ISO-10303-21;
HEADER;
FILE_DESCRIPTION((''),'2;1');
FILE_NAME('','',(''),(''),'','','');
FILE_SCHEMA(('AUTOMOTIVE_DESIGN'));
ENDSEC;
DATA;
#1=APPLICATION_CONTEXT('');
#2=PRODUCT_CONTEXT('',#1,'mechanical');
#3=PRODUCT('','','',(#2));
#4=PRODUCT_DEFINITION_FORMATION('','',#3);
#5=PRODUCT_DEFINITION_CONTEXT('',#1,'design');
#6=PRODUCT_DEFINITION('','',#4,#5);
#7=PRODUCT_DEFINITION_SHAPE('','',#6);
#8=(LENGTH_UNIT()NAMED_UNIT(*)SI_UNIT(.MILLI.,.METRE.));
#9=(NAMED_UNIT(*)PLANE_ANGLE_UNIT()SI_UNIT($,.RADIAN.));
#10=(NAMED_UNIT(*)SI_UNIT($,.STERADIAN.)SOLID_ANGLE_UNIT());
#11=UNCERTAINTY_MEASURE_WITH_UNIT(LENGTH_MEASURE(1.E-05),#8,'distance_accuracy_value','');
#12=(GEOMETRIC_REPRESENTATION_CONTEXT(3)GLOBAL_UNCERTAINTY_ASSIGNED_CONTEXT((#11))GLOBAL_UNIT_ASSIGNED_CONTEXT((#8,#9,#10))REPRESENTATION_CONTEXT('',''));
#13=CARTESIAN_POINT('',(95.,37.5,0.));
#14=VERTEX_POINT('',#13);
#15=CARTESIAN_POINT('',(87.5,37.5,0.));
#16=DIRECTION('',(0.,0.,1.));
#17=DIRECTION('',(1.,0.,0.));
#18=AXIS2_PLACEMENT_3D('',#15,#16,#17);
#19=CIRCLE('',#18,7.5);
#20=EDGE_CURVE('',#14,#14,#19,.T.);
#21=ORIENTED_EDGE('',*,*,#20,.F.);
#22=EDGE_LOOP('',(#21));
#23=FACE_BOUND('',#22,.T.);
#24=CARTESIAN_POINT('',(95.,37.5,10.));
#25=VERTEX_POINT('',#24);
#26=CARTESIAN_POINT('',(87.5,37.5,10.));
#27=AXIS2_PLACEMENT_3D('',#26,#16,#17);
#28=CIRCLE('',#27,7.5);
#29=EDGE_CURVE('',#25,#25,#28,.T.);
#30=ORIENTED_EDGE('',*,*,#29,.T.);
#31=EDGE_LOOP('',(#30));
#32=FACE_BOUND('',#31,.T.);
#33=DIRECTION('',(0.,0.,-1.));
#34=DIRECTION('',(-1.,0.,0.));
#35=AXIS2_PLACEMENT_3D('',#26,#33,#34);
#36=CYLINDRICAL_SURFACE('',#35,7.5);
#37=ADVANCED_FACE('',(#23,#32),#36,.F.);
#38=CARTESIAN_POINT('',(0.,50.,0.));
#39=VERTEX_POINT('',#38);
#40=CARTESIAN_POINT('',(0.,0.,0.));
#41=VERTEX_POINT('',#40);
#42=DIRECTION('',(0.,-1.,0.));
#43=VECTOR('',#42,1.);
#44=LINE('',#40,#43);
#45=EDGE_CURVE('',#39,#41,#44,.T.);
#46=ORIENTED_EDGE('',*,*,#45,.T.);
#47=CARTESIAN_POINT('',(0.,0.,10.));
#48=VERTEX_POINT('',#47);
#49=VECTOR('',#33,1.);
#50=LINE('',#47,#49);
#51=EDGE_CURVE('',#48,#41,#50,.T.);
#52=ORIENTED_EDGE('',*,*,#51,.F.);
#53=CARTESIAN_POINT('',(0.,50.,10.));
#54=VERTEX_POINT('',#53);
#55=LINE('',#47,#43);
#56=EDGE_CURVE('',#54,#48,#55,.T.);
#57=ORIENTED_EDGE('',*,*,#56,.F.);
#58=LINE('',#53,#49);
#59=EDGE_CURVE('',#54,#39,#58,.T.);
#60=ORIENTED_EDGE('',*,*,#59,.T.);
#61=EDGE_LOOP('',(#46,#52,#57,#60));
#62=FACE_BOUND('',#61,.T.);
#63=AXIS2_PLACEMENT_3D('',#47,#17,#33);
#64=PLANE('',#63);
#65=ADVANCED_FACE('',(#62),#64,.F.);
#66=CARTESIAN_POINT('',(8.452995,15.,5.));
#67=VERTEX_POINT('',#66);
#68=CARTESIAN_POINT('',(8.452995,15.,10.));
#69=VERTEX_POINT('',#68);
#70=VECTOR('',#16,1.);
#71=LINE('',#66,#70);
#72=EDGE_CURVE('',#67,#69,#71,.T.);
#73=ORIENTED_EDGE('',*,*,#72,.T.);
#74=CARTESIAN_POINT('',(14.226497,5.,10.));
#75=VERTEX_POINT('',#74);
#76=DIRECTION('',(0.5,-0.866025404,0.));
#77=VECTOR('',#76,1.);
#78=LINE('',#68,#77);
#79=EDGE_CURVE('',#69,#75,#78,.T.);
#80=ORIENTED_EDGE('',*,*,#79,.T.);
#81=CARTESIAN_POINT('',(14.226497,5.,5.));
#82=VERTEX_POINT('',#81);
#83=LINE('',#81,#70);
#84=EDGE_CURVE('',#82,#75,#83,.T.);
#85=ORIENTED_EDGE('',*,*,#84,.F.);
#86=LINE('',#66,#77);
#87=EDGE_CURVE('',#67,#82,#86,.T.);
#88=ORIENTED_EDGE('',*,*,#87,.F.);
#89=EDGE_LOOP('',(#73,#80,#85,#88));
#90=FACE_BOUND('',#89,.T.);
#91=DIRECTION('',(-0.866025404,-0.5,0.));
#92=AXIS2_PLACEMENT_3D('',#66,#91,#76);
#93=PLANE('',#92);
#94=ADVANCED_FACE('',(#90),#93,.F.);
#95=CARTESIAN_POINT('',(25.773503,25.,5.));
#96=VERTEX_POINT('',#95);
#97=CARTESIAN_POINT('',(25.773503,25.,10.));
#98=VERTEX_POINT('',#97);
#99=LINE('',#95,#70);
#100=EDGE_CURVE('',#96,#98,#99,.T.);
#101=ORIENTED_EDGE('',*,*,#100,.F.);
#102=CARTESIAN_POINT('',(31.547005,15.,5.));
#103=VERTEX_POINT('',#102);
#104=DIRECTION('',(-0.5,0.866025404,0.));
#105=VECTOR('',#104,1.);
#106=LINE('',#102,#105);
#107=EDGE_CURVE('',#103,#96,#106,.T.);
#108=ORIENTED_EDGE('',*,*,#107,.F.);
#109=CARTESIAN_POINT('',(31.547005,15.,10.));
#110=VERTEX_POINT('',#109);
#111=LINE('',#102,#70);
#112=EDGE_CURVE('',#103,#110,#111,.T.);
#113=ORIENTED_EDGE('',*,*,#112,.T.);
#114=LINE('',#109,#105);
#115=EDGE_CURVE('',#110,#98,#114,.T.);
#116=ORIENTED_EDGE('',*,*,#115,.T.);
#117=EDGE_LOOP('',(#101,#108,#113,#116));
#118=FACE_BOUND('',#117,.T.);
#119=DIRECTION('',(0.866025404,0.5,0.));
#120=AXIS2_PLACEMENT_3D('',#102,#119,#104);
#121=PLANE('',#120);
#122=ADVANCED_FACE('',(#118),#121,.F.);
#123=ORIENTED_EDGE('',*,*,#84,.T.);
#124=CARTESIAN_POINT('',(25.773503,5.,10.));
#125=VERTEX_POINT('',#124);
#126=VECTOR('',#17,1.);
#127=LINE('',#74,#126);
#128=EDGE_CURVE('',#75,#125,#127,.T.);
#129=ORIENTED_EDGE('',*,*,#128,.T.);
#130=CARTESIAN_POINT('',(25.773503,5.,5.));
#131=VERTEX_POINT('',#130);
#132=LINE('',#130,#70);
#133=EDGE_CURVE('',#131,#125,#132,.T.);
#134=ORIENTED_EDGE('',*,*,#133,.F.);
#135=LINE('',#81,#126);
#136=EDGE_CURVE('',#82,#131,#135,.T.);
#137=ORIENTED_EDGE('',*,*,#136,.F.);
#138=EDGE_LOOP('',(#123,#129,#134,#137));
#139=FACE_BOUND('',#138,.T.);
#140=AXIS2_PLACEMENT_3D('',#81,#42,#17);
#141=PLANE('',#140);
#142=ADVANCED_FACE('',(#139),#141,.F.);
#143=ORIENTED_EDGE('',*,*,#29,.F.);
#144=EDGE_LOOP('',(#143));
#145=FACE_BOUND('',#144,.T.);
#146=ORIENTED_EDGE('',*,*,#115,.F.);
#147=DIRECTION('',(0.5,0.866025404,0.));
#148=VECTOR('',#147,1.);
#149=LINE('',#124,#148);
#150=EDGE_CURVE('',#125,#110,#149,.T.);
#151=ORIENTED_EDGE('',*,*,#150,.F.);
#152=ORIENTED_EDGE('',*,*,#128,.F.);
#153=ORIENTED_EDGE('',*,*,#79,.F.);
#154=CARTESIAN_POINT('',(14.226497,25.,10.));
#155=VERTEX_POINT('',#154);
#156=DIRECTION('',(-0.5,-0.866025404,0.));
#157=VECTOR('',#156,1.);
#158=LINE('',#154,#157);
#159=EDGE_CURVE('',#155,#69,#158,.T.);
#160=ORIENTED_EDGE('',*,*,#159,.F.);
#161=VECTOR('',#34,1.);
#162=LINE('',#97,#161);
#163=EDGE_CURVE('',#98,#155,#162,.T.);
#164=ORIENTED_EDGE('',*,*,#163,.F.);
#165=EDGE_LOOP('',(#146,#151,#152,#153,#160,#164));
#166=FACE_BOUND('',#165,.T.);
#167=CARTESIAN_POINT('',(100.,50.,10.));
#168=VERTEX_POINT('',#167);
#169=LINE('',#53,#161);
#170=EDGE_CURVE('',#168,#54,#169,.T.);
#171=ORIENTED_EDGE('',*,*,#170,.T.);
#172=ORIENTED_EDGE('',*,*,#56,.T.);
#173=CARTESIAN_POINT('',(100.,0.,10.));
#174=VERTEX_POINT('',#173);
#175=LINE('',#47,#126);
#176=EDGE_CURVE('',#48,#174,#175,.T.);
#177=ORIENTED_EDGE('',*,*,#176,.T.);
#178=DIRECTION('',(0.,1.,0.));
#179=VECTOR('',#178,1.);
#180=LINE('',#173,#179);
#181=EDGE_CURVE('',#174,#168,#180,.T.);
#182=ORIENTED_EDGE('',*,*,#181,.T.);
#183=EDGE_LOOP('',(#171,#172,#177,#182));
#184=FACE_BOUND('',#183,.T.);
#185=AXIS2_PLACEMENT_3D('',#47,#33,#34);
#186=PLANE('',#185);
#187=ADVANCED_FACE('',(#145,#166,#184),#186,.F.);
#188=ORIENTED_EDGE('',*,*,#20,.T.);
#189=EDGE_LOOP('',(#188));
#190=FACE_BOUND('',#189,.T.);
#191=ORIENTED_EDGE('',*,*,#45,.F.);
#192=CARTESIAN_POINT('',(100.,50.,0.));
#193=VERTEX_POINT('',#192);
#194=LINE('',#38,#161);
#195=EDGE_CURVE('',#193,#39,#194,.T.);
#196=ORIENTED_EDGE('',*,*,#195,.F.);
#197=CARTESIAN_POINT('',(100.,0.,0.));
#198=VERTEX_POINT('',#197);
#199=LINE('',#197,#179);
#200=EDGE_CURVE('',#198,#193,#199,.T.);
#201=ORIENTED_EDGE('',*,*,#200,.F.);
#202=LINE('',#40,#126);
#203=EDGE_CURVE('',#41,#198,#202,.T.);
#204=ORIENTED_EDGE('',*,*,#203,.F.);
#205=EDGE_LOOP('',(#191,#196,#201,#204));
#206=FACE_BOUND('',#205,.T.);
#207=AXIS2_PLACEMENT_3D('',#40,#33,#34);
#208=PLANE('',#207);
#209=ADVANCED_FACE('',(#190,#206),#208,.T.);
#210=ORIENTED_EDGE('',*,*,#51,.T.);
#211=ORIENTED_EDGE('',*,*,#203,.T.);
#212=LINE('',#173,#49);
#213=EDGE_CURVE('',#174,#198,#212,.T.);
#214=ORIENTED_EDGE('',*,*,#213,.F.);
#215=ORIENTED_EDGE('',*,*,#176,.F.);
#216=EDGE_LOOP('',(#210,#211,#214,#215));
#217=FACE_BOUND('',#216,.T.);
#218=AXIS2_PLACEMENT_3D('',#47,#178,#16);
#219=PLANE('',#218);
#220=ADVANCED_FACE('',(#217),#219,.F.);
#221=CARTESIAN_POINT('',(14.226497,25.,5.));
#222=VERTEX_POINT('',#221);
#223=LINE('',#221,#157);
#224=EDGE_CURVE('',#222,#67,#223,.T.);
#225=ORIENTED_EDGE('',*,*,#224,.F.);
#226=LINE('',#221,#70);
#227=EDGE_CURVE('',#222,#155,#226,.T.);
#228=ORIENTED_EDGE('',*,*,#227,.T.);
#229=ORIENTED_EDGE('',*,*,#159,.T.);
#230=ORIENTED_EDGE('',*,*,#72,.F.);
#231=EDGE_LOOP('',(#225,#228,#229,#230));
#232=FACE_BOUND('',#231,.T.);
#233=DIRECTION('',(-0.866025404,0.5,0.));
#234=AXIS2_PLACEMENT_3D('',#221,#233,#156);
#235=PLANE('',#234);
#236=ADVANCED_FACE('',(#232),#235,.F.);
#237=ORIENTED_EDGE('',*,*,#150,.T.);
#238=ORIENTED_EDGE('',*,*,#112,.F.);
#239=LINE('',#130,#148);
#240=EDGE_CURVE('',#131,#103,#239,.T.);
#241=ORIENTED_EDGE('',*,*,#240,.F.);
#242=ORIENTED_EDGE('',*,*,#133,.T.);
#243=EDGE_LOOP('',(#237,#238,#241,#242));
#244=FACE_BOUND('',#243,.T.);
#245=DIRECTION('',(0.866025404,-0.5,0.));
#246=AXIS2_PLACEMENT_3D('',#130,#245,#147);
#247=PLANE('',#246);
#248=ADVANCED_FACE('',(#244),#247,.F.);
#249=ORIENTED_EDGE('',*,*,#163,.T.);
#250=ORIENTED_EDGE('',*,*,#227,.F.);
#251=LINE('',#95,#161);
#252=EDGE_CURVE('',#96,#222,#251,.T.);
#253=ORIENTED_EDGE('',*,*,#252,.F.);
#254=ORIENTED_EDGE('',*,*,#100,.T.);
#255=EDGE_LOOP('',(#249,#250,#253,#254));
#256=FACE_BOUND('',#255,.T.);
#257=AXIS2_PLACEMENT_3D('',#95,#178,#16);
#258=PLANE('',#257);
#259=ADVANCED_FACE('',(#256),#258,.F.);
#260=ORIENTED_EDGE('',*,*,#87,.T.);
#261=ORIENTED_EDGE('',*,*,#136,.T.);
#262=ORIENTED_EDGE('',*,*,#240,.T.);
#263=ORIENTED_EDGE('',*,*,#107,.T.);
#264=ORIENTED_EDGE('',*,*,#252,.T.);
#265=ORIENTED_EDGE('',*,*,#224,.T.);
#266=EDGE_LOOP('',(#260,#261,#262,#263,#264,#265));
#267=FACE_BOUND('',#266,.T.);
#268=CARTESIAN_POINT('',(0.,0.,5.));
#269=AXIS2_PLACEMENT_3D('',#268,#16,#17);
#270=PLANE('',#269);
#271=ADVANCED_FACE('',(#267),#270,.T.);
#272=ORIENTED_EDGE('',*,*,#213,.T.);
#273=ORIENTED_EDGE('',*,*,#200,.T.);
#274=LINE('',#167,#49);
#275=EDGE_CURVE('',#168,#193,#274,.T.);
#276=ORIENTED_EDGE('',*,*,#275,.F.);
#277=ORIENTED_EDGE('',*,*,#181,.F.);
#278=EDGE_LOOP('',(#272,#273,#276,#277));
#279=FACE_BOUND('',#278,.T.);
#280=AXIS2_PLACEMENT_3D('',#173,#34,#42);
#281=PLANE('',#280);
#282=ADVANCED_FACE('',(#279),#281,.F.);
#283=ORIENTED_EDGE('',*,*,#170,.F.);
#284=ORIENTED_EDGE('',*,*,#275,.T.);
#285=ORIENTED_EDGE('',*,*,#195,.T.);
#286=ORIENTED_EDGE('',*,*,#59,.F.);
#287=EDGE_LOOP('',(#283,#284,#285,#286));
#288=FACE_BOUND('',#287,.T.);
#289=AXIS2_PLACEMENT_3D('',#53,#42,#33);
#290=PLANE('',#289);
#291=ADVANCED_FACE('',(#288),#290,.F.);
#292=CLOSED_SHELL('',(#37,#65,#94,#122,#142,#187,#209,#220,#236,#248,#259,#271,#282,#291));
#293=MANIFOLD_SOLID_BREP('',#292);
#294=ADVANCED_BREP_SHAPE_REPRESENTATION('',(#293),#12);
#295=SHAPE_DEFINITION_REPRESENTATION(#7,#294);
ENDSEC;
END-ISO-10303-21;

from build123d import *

# Parameters (mm, degrees)
SKETCH1_W           = 100
SKETCH1_H           = 50
SKETCH1_R           = 7.5
BOSS_EXTRUDE1_DEPTH = 10
CUT_EXTRUDE1_DEPTH  = 5


with BuildPart() as part:
    # Sketch1 → Boss-Extrude1 (new body)
    with BuildSketch(Plane.XY):
        with Locations((50, 25)):
            Rectangle(SKETCH1_W, SKETCH1_H)
        with Locations((87.5, 37.5)):
            Circle(SKETCH1_R, mode=Mode.SUBTRACT)
    extrude(amount=BOSS_EXTRUDE1_DEPTH)

    # Sketch2 → Cut-Extrude1 (cut)
    with BuildSketch(Plane.XY.offset(10)):
        Polygon((25.773502692, 25), (14.226497308, 25), (8.452994616, 15), (14.226497308, 5), (25.773502692, 5), (31.547005384, 15), align=None)
    extrude(amount=-CUT_EXTRUDE1_DEPTH, mode=Mode.SUBTRACT)


solid = part.part
